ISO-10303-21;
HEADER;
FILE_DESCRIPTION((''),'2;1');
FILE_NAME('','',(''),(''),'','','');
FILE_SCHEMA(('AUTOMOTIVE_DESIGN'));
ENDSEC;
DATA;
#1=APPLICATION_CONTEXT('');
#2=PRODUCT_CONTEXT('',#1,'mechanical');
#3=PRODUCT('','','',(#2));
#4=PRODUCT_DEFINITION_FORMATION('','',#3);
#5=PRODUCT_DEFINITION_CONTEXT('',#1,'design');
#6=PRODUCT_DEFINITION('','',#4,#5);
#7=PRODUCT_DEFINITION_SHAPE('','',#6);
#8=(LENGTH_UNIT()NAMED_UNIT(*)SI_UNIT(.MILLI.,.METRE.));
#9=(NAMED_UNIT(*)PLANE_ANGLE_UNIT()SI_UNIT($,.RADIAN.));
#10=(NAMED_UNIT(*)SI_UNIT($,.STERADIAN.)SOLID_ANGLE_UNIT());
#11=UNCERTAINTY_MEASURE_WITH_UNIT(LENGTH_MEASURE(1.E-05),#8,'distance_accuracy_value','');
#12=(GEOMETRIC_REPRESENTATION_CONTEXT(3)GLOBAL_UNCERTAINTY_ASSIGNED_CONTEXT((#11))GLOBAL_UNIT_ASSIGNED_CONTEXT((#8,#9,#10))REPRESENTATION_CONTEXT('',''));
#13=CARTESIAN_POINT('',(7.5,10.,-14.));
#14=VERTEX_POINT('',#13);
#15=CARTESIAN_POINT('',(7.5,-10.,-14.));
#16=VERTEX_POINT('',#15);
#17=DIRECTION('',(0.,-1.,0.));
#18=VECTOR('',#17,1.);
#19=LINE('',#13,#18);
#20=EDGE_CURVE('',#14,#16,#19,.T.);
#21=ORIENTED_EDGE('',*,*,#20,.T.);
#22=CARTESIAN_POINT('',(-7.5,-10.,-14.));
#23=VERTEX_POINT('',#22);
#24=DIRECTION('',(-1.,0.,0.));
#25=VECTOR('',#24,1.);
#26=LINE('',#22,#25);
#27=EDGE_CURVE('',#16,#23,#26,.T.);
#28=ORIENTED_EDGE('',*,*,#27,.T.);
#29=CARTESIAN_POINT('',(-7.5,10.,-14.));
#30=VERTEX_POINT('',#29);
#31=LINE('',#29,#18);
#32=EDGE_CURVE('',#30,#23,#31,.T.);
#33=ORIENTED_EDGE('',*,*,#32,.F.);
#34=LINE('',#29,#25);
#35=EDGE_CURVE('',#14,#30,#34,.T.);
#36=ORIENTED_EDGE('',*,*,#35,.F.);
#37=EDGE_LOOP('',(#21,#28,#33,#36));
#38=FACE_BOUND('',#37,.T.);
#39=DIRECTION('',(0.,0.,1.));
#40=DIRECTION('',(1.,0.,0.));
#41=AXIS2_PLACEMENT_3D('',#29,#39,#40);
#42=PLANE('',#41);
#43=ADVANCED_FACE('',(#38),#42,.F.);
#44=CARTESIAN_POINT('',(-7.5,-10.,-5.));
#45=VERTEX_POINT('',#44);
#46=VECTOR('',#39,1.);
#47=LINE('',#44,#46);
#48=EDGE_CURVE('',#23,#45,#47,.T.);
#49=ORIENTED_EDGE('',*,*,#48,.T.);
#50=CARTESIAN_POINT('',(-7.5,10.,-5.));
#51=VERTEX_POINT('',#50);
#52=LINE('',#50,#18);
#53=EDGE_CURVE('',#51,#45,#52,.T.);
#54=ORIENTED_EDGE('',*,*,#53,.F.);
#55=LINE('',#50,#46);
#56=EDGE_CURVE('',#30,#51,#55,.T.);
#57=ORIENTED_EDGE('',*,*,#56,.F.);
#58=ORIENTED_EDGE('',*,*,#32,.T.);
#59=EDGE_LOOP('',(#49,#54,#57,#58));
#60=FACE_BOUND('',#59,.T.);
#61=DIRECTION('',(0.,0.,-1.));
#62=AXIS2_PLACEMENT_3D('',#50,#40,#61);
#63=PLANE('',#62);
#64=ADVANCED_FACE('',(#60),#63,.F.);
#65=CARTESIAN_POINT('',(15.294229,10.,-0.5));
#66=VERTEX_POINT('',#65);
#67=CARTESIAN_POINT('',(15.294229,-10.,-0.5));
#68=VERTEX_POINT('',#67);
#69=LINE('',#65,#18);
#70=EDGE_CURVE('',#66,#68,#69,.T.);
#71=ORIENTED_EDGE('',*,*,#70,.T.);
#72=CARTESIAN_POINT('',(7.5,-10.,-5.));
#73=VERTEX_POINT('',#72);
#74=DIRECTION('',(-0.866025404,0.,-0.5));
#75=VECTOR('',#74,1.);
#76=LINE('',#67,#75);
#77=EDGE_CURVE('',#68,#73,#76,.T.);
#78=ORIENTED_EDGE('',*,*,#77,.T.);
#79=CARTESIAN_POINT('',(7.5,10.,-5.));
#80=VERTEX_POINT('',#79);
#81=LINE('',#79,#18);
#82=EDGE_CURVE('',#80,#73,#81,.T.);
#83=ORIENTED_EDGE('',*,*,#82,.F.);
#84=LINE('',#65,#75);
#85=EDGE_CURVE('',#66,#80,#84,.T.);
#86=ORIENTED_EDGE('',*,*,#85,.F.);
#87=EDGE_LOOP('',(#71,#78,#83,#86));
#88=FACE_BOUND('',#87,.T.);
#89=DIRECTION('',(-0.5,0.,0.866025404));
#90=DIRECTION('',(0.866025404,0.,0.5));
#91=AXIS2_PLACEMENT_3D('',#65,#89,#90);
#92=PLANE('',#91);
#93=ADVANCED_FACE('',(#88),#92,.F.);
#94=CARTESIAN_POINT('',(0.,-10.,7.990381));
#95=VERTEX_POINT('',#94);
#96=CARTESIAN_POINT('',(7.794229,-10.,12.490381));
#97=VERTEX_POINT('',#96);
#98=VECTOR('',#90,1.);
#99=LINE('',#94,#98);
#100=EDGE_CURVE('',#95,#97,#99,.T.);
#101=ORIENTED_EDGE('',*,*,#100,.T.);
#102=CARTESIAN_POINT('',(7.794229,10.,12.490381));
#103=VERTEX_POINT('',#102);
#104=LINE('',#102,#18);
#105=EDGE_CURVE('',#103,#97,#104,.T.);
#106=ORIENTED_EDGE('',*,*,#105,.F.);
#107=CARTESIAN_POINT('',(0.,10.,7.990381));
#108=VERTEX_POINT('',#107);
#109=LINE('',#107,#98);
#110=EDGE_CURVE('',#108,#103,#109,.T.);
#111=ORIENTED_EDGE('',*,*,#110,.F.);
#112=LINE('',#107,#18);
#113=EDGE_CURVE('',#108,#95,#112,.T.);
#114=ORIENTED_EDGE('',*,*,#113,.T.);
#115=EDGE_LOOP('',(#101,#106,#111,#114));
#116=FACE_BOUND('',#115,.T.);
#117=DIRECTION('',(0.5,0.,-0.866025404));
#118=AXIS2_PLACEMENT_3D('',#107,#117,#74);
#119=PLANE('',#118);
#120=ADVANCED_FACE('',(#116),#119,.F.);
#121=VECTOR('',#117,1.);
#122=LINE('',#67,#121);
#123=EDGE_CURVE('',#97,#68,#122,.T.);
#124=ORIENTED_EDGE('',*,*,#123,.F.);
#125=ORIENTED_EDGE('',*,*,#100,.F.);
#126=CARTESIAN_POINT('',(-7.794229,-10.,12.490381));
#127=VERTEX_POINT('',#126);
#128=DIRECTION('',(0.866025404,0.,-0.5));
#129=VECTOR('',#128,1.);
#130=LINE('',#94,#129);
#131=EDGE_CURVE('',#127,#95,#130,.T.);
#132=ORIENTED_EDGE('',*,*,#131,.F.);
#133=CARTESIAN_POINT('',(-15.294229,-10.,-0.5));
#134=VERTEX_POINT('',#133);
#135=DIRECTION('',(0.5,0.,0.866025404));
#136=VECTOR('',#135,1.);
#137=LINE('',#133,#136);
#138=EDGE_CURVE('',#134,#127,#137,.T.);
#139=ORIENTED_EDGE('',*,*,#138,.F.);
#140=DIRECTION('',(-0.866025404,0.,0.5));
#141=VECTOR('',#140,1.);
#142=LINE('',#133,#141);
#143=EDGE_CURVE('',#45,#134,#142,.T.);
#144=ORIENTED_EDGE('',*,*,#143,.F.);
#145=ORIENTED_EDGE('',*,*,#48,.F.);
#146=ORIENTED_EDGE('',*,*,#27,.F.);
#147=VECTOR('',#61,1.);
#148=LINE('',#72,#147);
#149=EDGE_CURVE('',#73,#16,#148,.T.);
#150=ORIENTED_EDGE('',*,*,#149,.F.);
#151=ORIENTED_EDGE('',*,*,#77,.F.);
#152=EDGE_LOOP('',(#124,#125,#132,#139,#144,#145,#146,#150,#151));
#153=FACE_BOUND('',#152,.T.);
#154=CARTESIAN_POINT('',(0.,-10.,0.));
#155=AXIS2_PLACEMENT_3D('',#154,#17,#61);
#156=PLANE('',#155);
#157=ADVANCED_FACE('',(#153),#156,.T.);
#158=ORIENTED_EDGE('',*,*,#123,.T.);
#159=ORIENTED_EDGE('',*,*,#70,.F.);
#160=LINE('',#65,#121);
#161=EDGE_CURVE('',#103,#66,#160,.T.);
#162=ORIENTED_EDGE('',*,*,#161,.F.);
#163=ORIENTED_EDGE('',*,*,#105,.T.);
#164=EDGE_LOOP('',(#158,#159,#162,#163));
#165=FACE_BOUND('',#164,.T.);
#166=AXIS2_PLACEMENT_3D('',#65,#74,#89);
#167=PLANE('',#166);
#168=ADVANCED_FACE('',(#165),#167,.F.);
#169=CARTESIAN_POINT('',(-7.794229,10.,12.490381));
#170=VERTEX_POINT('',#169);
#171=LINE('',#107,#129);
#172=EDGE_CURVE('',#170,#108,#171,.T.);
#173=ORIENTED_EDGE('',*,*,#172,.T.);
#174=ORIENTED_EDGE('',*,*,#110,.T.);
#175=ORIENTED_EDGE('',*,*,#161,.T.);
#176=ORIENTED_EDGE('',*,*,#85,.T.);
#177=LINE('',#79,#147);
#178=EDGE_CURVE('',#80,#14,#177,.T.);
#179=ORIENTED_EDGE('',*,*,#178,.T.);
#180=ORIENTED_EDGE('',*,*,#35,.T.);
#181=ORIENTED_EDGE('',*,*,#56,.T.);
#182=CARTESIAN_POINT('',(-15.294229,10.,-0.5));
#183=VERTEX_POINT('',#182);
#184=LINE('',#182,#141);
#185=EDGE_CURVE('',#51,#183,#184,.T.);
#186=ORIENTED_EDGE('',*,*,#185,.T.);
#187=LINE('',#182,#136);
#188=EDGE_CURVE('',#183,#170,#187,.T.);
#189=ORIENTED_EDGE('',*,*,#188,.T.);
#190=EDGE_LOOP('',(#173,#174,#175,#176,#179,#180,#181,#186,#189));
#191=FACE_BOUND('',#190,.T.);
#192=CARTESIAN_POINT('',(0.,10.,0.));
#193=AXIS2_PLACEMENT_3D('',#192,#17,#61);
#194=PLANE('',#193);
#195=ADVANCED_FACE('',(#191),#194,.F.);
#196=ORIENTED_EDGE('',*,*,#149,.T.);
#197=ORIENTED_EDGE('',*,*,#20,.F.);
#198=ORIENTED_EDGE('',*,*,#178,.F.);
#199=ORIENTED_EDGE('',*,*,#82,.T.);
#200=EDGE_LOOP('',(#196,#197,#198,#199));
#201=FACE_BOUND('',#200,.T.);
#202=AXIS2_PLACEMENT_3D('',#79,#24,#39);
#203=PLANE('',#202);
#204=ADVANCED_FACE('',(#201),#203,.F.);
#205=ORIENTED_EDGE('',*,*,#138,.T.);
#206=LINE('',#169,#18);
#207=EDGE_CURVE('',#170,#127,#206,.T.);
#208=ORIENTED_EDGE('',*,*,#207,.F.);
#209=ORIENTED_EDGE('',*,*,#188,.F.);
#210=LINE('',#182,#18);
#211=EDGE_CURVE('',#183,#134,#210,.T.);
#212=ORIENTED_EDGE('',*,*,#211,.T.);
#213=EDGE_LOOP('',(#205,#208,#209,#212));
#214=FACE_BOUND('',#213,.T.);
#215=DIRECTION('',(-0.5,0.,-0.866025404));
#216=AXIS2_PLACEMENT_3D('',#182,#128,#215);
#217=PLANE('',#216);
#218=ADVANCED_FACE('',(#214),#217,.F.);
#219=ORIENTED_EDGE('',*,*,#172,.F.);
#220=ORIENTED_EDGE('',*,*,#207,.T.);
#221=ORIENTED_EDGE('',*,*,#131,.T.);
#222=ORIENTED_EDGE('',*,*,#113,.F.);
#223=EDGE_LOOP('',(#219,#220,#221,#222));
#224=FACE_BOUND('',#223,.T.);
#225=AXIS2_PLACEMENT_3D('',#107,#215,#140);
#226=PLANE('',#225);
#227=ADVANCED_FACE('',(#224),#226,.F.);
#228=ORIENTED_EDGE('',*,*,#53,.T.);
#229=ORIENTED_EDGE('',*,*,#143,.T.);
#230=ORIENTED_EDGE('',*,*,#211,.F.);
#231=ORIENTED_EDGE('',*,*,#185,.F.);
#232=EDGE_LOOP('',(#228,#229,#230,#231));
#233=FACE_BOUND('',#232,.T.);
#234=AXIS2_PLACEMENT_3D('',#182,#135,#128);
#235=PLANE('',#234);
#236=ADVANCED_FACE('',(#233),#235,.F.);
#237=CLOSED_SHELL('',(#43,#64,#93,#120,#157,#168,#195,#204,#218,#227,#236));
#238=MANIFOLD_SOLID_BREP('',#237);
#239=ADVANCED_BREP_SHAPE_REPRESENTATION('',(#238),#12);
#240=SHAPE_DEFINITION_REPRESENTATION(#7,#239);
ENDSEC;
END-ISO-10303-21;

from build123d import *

# Parameters (mm, degrees)
BOSS_EXTRUDE1_DEPTH = 10


with BuildPart() as part:
    # Sketch1 → Boss-Extrude1 (new, symmetric)
    with BuildSketch(Plane(origin=(0, 0, 0), x_dir=(1, 0, 0), z_dir=(0, 1, 0))):
        Polygon((15.294228634, 0.5), (7.5, 5), (7.5, 14), (-7.5, 14), (-7.5, 5), (-15.294228634, 0.5), (-7.794228634, -12.490381057), (0, -7.990381057), (7.794228634, -12.490381057), align=None)
    extrude(amount=BOSS_EXTRUDE1_DEPTH, both=True)


solid = part.part
